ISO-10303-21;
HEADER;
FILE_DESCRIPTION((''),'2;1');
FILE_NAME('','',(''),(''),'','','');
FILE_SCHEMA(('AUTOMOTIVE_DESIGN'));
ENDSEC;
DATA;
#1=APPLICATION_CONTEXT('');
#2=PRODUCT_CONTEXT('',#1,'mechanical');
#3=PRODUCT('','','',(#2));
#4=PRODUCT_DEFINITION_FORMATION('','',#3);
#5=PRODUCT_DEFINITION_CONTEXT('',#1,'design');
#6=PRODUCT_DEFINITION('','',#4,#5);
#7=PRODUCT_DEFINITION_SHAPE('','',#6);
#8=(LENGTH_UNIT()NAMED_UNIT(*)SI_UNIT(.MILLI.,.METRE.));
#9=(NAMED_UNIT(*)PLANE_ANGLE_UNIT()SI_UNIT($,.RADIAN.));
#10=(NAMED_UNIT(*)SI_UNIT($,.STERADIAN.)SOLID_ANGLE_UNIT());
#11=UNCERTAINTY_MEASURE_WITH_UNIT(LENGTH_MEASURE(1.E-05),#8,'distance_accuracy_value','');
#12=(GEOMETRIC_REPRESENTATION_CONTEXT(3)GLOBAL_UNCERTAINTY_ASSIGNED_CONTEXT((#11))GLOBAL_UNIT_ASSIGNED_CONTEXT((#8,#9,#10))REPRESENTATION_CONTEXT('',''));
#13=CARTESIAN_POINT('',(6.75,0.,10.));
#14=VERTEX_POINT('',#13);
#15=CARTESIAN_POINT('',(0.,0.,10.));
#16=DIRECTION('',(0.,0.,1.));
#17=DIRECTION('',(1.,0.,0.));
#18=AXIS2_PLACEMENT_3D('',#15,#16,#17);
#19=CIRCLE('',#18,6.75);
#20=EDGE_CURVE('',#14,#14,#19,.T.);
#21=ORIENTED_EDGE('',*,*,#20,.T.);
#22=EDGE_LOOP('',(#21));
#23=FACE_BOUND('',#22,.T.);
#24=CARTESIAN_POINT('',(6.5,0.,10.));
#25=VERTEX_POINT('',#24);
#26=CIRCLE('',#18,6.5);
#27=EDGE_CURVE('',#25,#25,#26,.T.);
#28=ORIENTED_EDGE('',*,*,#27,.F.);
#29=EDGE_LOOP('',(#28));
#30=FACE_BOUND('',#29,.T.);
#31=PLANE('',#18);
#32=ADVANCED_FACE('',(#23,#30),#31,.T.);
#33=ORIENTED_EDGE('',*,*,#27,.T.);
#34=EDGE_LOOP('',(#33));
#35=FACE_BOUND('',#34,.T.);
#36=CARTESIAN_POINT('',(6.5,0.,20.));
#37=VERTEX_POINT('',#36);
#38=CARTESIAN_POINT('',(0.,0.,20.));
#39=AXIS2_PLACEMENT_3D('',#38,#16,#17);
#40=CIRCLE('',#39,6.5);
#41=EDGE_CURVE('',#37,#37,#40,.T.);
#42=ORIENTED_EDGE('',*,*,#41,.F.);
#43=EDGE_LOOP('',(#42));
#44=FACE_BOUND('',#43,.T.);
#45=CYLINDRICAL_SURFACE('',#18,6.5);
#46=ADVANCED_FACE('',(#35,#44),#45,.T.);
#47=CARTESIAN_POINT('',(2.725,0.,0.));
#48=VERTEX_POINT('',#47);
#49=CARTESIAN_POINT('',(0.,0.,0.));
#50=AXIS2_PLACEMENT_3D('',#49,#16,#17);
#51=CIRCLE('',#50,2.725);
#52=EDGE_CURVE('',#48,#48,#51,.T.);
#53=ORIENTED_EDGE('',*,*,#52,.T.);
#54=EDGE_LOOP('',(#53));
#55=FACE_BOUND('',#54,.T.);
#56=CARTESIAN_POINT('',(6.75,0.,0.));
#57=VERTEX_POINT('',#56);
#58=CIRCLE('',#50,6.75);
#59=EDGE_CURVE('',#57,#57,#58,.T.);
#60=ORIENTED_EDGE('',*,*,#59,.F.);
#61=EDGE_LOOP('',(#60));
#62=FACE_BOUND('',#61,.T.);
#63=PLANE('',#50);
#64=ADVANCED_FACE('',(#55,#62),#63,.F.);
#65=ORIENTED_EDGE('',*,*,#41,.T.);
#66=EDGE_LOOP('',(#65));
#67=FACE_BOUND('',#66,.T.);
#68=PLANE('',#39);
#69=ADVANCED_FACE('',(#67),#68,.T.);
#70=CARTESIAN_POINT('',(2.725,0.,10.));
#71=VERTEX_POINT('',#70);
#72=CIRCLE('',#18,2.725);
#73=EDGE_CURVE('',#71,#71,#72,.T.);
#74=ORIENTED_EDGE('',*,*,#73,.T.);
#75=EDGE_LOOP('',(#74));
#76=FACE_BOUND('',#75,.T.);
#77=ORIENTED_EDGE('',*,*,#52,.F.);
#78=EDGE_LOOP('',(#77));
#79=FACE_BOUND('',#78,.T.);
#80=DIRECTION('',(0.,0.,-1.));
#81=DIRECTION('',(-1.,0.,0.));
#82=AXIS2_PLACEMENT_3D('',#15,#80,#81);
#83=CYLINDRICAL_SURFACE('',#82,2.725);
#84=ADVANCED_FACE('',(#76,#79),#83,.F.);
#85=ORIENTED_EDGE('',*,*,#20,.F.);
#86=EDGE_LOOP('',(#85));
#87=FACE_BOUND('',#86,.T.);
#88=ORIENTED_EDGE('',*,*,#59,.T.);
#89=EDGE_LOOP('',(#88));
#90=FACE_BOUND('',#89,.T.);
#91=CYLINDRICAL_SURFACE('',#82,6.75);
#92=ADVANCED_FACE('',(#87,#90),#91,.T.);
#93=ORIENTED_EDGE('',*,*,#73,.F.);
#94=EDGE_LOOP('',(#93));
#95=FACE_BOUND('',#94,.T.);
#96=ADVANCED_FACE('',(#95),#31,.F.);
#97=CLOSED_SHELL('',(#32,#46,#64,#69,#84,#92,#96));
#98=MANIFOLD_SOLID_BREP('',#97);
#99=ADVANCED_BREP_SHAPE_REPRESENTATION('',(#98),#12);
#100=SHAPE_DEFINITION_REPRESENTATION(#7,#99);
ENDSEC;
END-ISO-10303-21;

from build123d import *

# Parameters (mm, degrees)
SKETCH1_R           = 6.75
SKETCH1_R_2         = 2.725
BOSS_EXTRUDE2_DEPTH = 10
SKETCH2_R           = 6.6
BOSS_EXTRUDE3_DEPTH = 10
CUT_EXTRUDE1_START  = -10
SKETCH3_R           = 6.6
SKETCH3_R_2         = 6.5
CUT_EXTRUDE1_DEPTH  = 10


with BuildPart() as part:
    # Sketch1 → Boss-Extrude2 (new body)
    with BuildSketch(Plane.XY):
        Circle(SKETCH1_R)
        Circle(SKETCH1_R_2, mode=Mode.SUBTRACT)
    extrude(amount=BOSS_EXTRUDE2_DEPTH)

    # Sketch2 → Boss-Extrude3 (add)
    with BuildSketch(Plane.XY.offset(10)):
        Circle(SKETCH2_R)
    extrude(amount=BOSS_EXTRUDE3_DEPTH)

    # Sketch3 → Cut-Extrude1 (cut)
    with BuildSketch(Plane.XY.offset(20).offset(CUT_EXTRUDE1_START)):
        Circle(SKETCH3_R)
        Circle(SKETCH3_R_2, mode=Mode.SUBTRACT)
    extrude(amount=CUT_EXTRUDE1_DEPTH, mode=Mode.SUBTRACT)


solid = part.part
